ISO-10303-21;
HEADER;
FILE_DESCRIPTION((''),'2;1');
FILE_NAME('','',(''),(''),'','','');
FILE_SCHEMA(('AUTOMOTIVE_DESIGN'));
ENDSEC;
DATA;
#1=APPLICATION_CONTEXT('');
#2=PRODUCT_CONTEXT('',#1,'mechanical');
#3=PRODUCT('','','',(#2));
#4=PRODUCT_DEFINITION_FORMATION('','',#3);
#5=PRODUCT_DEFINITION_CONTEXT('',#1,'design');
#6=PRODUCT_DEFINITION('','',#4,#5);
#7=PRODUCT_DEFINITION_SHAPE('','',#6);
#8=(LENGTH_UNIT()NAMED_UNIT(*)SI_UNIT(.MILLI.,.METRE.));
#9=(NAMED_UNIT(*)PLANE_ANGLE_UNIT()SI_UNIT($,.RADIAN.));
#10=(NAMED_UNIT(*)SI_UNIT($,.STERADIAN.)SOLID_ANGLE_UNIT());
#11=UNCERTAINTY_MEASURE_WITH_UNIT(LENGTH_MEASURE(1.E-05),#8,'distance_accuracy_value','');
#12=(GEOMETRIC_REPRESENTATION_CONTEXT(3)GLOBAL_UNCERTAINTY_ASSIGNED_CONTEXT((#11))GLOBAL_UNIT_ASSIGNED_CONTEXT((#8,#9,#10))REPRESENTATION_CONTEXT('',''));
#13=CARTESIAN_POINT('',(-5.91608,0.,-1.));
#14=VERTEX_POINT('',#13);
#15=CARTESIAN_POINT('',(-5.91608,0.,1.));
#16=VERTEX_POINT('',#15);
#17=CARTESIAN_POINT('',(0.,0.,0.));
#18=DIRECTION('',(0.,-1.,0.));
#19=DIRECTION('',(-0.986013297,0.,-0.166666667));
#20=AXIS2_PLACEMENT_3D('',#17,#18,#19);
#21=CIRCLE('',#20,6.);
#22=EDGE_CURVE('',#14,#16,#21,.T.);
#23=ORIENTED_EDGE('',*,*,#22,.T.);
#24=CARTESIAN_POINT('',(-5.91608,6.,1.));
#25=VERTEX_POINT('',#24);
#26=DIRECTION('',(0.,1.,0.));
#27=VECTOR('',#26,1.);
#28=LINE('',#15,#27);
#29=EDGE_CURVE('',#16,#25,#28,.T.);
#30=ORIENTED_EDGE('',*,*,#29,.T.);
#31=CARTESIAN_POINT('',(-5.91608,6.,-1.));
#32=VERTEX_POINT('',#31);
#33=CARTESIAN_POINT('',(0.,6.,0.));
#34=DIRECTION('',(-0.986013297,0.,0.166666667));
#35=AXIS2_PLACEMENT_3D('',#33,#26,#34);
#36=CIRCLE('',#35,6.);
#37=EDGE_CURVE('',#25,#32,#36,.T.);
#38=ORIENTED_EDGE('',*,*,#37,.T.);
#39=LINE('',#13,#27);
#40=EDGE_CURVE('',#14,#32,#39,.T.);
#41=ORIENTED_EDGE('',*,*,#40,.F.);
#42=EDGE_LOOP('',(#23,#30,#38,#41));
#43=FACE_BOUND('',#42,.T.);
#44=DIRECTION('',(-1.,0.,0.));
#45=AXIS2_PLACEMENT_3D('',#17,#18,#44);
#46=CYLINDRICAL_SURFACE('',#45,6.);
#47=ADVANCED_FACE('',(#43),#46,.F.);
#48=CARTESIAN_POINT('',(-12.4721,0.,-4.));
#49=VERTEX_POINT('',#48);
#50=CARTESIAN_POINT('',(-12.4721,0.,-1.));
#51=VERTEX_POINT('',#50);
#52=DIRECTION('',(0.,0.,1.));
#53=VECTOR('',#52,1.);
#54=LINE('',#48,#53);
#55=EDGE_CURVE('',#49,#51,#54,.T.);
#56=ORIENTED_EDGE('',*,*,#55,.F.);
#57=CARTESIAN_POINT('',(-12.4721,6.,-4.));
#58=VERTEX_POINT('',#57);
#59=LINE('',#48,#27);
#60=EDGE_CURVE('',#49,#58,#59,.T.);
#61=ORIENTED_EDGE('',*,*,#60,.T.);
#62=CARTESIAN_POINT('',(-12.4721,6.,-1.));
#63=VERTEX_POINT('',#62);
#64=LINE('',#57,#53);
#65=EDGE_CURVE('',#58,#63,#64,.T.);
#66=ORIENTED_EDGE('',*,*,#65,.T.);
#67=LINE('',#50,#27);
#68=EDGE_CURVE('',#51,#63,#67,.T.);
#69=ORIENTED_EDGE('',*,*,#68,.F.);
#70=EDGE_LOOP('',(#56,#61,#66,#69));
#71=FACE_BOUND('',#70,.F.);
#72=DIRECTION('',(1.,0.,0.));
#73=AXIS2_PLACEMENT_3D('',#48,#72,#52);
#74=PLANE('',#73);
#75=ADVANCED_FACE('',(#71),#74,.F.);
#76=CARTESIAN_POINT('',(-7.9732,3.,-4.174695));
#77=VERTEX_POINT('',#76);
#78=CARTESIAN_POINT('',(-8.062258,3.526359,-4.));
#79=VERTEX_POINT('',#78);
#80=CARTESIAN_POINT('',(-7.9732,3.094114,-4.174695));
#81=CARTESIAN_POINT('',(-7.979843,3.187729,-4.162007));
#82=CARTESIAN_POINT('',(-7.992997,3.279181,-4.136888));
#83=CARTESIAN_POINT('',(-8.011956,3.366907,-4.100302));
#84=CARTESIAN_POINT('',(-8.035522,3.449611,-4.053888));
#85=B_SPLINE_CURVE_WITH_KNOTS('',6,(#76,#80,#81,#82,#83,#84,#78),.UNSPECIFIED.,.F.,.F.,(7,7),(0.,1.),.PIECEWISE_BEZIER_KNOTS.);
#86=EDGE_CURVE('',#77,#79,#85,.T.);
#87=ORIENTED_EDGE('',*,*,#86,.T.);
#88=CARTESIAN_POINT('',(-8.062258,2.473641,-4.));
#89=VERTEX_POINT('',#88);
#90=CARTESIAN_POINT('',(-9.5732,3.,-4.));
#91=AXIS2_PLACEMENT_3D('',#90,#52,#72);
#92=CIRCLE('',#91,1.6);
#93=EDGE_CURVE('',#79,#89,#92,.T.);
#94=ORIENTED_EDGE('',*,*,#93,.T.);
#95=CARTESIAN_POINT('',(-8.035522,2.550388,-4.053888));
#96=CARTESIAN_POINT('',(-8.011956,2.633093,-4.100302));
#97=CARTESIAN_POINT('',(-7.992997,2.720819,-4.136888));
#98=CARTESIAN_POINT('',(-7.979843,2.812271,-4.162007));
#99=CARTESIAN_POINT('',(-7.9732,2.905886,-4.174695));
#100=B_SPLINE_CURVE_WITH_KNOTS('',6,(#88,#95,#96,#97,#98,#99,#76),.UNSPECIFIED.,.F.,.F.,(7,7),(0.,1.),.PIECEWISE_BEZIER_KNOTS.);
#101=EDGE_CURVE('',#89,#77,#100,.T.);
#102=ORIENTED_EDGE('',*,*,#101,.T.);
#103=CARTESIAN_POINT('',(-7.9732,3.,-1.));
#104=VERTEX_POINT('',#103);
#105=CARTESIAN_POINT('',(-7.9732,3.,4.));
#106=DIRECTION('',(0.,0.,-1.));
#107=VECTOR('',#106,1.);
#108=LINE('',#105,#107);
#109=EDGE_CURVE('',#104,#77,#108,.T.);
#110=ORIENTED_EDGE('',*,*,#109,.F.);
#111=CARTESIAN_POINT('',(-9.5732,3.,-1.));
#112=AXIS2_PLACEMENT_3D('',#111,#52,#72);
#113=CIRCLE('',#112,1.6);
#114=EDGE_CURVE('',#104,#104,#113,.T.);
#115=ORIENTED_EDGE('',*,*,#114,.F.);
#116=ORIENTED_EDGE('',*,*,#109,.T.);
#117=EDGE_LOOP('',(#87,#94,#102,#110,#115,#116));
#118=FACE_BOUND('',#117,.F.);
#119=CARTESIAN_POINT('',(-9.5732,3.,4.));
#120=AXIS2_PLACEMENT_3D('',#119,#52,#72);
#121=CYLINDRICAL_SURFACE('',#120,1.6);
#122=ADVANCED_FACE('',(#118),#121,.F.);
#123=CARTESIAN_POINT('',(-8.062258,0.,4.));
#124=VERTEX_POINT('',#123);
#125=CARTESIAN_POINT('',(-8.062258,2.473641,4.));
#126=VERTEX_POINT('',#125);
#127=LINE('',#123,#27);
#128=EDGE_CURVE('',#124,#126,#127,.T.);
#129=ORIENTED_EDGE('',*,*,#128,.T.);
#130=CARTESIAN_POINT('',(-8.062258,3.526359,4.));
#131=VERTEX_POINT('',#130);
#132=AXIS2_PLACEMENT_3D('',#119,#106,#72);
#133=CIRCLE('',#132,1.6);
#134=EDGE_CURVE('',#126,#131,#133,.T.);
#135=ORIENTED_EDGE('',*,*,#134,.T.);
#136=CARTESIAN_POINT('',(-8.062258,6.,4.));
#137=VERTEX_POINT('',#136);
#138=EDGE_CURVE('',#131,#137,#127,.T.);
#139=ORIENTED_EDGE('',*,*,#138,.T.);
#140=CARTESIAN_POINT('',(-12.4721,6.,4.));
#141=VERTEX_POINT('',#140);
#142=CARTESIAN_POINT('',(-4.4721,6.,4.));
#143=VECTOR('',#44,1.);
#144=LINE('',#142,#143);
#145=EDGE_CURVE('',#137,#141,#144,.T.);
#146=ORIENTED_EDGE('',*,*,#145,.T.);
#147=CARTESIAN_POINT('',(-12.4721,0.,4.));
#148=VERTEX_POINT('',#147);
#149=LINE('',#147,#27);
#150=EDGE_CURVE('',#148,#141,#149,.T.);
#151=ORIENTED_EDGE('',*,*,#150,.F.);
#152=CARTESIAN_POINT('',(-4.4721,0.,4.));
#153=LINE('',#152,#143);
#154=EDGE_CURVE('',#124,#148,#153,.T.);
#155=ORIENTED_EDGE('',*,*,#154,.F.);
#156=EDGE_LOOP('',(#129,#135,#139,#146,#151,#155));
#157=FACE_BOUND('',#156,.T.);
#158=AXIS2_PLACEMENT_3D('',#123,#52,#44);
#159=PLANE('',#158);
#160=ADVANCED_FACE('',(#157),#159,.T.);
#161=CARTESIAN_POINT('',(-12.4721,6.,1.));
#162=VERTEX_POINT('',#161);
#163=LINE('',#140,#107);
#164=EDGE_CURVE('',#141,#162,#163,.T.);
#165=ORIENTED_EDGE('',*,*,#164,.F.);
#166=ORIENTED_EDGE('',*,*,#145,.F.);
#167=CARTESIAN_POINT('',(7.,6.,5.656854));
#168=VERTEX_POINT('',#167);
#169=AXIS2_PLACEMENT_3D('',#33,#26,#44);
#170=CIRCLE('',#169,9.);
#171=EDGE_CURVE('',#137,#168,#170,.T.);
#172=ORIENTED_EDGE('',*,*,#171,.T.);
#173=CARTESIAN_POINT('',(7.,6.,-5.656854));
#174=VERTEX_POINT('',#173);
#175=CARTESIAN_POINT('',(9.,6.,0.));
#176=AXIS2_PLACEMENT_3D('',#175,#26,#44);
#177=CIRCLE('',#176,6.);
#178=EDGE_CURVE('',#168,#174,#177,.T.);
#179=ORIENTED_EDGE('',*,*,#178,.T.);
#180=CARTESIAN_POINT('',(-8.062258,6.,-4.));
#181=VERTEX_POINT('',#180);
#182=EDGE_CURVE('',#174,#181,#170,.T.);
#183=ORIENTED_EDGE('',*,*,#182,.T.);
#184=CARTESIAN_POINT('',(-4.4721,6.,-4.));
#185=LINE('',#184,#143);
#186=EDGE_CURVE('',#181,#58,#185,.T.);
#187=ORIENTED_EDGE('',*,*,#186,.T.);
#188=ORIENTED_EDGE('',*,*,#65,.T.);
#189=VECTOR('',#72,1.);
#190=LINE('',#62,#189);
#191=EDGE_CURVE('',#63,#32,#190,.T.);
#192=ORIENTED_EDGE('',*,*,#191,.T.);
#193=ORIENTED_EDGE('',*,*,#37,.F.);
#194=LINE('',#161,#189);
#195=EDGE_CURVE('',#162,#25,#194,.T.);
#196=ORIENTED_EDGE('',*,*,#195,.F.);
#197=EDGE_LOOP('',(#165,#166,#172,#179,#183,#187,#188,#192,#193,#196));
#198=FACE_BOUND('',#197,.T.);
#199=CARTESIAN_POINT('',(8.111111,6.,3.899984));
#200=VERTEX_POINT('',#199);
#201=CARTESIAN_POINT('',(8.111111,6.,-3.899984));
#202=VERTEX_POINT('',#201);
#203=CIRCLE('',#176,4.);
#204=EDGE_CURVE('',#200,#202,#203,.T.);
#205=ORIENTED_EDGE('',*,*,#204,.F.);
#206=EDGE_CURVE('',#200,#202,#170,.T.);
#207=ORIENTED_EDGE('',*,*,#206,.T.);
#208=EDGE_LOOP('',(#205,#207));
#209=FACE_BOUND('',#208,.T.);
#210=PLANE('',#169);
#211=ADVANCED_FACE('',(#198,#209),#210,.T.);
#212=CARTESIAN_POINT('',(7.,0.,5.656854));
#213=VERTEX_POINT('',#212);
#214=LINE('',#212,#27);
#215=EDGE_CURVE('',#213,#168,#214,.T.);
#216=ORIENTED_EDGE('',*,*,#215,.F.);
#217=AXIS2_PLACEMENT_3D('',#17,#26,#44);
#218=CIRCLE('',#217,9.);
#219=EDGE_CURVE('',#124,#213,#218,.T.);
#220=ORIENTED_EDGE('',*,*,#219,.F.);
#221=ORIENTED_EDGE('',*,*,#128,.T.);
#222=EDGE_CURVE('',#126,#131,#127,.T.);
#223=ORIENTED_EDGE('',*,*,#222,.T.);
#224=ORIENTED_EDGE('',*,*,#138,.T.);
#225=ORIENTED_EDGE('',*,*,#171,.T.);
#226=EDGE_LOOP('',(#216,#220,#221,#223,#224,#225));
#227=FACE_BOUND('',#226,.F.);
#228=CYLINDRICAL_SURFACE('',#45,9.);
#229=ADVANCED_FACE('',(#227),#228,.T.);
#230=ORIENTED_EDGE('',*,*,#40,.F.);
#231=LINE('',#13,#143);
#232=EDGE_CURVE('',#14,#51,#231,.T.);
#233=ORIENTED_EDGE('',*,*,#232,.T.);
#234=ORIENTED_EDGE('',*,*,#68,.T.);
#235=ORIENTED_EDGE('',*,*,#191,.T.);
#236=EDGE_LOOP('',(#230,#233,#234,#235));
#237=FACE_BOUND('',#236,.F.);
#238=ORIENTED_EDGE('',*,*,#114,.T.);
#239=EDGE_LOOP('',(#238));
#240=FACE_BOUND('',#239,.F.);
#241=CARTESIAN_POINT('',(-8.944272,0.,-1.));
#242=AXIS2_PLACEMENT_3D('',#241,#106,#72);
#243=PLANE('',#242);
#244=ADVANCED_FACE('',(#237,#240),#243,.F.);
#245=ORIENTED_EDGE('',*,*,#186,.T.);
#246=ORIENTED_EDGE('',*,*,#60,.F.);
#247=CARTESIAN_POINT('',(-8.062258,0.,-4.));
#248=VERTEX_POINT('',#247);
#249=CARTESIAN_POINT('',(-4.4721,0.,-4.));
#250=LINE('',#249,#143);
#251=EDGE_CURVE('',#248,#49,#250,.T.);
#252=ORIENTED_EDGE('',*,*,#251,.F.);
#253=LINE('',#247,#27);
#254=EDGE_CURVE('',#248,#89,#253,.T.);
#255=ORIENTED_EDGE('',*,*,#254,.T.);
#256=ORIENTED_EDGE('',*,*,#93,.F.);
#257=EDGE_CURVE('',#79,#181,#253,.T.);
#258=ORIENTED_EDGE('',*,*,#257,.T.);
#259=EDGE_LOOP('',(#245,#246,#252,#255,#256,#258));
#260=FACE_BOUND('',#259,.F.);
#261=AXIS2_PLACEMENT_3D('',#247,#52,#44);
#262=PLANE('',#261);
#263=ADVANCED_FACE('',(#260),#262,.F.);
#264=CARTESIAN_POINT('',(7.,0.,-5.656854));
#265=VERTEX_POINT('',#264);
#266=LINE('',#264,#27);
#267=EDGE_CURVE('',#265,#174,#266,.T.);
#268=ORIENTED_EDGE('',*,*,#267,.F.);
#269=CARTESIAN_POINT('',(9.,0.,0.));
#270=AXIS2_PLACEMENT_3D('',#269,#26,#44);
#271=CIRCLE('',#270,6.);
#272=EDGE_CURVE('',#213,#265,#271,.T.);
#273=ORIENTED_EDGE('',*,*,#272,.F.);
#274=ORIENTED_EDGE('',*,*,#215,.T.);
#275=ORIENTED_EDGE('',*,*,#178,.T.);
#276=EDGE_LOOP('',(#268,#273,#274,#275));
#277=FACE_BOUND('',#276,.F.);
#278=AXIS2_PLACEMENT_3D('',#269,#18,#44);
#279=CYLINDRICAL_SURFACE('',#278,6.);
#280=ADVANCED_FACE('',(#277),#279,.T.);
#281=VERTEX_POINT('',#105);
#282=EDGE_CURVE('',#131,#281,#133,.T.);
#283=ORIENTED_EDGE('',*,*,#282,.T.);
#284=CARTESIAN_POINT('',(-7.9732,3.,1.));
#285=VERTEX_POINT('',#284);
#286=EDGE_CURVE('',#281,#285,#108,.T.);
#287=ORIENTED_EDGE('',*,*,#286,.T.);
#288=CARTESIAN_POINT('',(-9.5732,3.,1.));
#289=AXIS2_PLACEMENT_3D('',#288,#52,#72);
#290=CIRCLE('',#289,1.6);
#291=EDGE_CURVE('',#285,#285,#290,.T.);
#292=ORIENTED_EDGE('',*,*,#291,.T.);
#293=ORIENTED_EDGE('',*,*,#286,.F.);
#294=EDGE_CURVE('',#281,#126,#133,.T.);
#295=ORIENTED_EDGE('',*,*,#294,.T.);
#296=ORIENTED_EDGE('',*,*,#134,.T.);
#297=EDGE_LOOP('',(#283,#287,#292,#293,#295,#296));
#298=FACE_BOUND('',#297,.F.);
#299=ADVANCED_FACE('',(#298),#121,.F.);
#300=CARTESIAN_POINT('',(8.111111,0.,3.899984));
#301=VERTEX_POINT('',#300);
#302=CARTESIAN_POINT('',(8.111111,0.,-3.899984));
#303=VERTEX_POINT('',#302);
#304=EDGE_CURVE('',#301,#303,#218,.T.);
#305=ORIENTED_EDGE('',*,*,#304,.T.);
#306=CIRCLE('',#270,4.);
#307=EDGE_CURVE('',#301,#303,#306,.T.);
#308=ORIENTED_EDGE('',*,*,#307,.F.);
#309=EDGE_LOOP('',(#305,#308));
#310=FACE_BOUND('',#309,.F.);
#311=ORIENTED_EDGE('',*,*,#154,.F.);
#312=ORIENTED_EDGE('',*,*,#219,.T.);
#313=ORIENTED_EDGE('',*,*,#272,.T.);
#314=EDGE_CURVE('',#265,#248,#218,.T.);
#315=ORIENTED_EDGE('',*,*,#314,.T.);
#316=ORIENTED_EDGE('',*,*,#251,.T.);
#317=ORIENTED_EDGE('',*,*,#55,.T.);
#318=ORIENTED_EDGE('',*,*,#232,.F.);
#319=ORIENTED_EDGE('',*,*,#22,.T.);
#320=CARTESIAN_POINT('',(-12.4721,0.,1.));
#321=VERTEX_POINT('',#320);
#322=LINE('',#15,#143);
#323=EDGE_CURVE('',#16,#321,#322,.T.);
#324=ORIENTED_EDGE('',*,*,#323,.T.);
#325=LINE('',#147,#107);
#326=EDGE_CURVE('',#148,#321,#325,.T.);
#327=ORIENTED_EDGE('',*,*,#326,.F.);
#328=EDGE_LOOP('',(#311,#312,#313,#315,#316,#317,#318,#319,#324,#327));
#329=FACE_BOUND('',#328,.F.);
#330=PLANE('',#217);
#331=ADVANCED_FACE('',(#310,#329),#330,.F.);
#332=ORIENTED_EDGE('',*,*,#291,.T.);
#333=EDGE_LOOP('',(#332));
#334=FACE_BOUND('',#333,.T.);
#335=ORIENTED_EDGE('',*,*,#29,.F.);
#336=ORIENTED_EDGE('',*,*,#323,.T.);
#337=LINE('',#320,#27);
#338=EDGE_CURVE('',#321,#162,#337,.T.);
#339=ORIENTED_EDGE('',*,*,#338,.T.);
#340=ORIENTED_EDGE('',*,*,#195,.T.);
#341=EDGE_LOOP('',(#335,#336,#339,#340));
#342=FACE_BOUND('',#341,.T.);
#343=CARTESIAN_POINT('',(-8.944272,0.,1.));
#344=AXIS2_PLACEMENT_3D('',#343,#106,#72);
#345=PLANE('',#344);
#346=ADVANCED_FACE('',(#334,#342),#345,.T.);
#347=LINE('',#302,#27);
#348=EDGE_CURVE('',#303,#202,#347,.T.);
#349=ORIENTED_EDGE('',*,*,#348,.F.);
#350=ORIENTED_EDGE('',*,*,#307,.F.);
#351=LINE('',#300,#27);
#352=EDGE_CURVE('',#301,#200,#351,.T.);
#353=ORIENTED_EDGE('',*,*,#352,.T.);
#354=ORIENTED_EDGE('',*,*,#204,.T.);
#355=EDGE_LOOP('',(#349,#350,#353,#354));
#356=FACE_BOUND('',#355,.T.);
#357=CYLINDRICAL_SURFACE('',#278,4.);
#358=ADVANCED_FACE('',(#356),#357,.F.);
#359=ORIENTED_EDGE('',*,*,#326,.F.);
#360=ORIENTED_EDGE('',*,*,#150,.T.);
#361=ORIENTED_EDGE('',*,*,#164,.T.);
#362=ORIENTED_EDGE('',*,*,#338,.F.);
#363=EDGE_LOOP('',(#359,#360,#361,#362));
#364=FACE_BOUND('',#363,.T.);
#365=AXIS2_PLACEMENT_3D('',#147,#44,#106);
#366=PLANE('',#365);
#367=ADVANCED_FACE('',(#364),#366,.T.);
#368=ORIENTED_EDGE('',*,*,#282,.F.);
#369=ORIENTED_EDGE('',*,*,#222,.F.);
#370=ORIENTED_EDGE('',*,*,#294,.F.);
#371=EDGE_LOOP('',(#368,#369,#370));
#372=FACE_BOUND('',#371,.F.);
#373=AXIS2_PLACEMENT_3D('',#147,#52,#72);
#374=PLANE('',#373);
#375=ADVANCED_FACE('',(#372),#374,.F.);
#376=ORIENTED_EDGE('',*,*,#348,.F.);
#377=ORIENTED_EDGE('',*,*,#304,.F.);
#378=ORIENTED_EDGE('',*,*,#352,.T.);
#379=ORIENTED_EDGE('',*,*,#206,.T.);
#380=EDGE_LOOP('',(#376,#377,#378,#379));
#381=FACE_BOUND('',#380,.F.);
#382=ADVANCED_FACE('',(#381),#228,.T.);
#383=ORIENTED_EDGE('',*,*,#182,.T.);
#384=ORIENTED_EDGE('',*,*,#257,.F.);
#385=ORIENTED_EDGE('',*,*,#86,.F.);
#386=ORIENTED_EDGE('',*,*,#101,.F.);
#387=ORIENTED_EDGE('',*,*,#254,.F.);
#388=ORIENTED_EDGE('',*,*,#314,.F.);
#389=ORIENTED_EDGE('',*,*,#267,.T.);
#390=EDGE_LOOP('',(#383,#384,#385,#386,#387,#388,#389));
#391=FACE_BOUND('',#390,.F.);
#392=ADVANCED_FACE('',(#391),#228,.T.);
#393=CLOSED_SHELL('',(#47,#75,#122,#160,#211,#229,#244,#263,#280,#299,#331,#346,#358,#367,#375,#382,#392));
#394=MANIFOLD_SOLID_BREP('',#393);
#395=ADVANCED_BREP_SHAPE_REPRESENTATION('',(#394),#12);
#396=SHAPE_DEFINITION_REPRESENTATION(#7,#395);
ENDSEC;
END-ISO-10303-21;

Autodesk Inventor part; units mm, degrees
ref_plane "YZ Plane" through (0, 0, 0) normal (1, 0, 0) x (0, 1, 0)
ref_plane "XZ Plane" through (0, 0, 0) normal (0, 1, 0) x (-1, 0, 0)
ref_plane "XY Plane" through (0, 0, 0) normal (0, 0, 1) x (1, 0, 0)
sketch "Sketch1" plane through (0, 0, 0) normal (0, 1, 0) x (-1, 0, 0)
  circle A0 centre (0, 0) radius 6
  circle A1 centre (0, 0) radius 9
  line L0 (4.4721, 4) -> (12.4721, 4)
  line L1 (12.4721, 4) -> (12.4721, 1)
  line L2 (12.4721, 1) -> (4.4721, 1)
  line L3 (4.4721, 1) -> (4.4721, 4)
  line L4 (4.4721, -4) -> (12.4721, -4)
  line L5 (12.4721, -4) -> (12.4721, -1)
  line L6 (12.4721, -1) -> (4.4721, -1)
  line L7 (4.4721, -1) -> (4.4721, -4)
  circle A2 centre (-9, 0) radius 4
  circle A3 centre (-9, 0) radius 6
  point P0 (-8.1111, -3.9)
  point P1 (-8.1111, 3.9)
  point P2 (5.9161, 1)
  point P3 (8.0623, 4)
  point P4 (-7, 5.6569)
  point P5 (-7, -5.6569)
  point P6 (8.0623, -4)
  point P7 (5.9161, -1)
  dimension "d0" = 12
  dimension "d1" = 3
  dimension "d2" = 3
  dimension "d3" = 3
  dimension "d4" = 1
  dimension "d5" = 1
  dimension "d6" = 8
  dimension "d7" = 8
  dimension "d8" = 8
  dimension "d9" = 2
extrude "Extrusion1" add sketch "Sketch1" along normal blind 6 contours A0 L0 A1 L2 | L6 A1 L4 A0 | A0 A3 A1 L0 | A1 L0 L1 L2 | L4 A1 A3 A0 | L6 L5 L4 A1 | A0 A2 A1 A3 | A3 A1 A2 A0 | A0 A2 A1 | A1 A2 A3
sketch "Sketch2" plane through (-12.4721, 0, 4) normal (0, 0, 1) x (1, 0, 0)
  line L0 (0, 0) -> (4.4099, 0) projected
  line L1 (4.4099, 0) -> (4.4099, 6) projected
  line L2 (0, 6) -> (4.4099, 6) projected
  line L3 (0, 0) -> (0, 6) projected
  circle A0 centre (2.8989, 3) radius 1.6
  point P0 (12.4721, 0)
  dimension "d12" = 3.2
extrude "Extrusion2" cut sketch "Sketch2" against normal blind 10 contours A0 L1 | L1 A0
properties part number "Spring_hook"
